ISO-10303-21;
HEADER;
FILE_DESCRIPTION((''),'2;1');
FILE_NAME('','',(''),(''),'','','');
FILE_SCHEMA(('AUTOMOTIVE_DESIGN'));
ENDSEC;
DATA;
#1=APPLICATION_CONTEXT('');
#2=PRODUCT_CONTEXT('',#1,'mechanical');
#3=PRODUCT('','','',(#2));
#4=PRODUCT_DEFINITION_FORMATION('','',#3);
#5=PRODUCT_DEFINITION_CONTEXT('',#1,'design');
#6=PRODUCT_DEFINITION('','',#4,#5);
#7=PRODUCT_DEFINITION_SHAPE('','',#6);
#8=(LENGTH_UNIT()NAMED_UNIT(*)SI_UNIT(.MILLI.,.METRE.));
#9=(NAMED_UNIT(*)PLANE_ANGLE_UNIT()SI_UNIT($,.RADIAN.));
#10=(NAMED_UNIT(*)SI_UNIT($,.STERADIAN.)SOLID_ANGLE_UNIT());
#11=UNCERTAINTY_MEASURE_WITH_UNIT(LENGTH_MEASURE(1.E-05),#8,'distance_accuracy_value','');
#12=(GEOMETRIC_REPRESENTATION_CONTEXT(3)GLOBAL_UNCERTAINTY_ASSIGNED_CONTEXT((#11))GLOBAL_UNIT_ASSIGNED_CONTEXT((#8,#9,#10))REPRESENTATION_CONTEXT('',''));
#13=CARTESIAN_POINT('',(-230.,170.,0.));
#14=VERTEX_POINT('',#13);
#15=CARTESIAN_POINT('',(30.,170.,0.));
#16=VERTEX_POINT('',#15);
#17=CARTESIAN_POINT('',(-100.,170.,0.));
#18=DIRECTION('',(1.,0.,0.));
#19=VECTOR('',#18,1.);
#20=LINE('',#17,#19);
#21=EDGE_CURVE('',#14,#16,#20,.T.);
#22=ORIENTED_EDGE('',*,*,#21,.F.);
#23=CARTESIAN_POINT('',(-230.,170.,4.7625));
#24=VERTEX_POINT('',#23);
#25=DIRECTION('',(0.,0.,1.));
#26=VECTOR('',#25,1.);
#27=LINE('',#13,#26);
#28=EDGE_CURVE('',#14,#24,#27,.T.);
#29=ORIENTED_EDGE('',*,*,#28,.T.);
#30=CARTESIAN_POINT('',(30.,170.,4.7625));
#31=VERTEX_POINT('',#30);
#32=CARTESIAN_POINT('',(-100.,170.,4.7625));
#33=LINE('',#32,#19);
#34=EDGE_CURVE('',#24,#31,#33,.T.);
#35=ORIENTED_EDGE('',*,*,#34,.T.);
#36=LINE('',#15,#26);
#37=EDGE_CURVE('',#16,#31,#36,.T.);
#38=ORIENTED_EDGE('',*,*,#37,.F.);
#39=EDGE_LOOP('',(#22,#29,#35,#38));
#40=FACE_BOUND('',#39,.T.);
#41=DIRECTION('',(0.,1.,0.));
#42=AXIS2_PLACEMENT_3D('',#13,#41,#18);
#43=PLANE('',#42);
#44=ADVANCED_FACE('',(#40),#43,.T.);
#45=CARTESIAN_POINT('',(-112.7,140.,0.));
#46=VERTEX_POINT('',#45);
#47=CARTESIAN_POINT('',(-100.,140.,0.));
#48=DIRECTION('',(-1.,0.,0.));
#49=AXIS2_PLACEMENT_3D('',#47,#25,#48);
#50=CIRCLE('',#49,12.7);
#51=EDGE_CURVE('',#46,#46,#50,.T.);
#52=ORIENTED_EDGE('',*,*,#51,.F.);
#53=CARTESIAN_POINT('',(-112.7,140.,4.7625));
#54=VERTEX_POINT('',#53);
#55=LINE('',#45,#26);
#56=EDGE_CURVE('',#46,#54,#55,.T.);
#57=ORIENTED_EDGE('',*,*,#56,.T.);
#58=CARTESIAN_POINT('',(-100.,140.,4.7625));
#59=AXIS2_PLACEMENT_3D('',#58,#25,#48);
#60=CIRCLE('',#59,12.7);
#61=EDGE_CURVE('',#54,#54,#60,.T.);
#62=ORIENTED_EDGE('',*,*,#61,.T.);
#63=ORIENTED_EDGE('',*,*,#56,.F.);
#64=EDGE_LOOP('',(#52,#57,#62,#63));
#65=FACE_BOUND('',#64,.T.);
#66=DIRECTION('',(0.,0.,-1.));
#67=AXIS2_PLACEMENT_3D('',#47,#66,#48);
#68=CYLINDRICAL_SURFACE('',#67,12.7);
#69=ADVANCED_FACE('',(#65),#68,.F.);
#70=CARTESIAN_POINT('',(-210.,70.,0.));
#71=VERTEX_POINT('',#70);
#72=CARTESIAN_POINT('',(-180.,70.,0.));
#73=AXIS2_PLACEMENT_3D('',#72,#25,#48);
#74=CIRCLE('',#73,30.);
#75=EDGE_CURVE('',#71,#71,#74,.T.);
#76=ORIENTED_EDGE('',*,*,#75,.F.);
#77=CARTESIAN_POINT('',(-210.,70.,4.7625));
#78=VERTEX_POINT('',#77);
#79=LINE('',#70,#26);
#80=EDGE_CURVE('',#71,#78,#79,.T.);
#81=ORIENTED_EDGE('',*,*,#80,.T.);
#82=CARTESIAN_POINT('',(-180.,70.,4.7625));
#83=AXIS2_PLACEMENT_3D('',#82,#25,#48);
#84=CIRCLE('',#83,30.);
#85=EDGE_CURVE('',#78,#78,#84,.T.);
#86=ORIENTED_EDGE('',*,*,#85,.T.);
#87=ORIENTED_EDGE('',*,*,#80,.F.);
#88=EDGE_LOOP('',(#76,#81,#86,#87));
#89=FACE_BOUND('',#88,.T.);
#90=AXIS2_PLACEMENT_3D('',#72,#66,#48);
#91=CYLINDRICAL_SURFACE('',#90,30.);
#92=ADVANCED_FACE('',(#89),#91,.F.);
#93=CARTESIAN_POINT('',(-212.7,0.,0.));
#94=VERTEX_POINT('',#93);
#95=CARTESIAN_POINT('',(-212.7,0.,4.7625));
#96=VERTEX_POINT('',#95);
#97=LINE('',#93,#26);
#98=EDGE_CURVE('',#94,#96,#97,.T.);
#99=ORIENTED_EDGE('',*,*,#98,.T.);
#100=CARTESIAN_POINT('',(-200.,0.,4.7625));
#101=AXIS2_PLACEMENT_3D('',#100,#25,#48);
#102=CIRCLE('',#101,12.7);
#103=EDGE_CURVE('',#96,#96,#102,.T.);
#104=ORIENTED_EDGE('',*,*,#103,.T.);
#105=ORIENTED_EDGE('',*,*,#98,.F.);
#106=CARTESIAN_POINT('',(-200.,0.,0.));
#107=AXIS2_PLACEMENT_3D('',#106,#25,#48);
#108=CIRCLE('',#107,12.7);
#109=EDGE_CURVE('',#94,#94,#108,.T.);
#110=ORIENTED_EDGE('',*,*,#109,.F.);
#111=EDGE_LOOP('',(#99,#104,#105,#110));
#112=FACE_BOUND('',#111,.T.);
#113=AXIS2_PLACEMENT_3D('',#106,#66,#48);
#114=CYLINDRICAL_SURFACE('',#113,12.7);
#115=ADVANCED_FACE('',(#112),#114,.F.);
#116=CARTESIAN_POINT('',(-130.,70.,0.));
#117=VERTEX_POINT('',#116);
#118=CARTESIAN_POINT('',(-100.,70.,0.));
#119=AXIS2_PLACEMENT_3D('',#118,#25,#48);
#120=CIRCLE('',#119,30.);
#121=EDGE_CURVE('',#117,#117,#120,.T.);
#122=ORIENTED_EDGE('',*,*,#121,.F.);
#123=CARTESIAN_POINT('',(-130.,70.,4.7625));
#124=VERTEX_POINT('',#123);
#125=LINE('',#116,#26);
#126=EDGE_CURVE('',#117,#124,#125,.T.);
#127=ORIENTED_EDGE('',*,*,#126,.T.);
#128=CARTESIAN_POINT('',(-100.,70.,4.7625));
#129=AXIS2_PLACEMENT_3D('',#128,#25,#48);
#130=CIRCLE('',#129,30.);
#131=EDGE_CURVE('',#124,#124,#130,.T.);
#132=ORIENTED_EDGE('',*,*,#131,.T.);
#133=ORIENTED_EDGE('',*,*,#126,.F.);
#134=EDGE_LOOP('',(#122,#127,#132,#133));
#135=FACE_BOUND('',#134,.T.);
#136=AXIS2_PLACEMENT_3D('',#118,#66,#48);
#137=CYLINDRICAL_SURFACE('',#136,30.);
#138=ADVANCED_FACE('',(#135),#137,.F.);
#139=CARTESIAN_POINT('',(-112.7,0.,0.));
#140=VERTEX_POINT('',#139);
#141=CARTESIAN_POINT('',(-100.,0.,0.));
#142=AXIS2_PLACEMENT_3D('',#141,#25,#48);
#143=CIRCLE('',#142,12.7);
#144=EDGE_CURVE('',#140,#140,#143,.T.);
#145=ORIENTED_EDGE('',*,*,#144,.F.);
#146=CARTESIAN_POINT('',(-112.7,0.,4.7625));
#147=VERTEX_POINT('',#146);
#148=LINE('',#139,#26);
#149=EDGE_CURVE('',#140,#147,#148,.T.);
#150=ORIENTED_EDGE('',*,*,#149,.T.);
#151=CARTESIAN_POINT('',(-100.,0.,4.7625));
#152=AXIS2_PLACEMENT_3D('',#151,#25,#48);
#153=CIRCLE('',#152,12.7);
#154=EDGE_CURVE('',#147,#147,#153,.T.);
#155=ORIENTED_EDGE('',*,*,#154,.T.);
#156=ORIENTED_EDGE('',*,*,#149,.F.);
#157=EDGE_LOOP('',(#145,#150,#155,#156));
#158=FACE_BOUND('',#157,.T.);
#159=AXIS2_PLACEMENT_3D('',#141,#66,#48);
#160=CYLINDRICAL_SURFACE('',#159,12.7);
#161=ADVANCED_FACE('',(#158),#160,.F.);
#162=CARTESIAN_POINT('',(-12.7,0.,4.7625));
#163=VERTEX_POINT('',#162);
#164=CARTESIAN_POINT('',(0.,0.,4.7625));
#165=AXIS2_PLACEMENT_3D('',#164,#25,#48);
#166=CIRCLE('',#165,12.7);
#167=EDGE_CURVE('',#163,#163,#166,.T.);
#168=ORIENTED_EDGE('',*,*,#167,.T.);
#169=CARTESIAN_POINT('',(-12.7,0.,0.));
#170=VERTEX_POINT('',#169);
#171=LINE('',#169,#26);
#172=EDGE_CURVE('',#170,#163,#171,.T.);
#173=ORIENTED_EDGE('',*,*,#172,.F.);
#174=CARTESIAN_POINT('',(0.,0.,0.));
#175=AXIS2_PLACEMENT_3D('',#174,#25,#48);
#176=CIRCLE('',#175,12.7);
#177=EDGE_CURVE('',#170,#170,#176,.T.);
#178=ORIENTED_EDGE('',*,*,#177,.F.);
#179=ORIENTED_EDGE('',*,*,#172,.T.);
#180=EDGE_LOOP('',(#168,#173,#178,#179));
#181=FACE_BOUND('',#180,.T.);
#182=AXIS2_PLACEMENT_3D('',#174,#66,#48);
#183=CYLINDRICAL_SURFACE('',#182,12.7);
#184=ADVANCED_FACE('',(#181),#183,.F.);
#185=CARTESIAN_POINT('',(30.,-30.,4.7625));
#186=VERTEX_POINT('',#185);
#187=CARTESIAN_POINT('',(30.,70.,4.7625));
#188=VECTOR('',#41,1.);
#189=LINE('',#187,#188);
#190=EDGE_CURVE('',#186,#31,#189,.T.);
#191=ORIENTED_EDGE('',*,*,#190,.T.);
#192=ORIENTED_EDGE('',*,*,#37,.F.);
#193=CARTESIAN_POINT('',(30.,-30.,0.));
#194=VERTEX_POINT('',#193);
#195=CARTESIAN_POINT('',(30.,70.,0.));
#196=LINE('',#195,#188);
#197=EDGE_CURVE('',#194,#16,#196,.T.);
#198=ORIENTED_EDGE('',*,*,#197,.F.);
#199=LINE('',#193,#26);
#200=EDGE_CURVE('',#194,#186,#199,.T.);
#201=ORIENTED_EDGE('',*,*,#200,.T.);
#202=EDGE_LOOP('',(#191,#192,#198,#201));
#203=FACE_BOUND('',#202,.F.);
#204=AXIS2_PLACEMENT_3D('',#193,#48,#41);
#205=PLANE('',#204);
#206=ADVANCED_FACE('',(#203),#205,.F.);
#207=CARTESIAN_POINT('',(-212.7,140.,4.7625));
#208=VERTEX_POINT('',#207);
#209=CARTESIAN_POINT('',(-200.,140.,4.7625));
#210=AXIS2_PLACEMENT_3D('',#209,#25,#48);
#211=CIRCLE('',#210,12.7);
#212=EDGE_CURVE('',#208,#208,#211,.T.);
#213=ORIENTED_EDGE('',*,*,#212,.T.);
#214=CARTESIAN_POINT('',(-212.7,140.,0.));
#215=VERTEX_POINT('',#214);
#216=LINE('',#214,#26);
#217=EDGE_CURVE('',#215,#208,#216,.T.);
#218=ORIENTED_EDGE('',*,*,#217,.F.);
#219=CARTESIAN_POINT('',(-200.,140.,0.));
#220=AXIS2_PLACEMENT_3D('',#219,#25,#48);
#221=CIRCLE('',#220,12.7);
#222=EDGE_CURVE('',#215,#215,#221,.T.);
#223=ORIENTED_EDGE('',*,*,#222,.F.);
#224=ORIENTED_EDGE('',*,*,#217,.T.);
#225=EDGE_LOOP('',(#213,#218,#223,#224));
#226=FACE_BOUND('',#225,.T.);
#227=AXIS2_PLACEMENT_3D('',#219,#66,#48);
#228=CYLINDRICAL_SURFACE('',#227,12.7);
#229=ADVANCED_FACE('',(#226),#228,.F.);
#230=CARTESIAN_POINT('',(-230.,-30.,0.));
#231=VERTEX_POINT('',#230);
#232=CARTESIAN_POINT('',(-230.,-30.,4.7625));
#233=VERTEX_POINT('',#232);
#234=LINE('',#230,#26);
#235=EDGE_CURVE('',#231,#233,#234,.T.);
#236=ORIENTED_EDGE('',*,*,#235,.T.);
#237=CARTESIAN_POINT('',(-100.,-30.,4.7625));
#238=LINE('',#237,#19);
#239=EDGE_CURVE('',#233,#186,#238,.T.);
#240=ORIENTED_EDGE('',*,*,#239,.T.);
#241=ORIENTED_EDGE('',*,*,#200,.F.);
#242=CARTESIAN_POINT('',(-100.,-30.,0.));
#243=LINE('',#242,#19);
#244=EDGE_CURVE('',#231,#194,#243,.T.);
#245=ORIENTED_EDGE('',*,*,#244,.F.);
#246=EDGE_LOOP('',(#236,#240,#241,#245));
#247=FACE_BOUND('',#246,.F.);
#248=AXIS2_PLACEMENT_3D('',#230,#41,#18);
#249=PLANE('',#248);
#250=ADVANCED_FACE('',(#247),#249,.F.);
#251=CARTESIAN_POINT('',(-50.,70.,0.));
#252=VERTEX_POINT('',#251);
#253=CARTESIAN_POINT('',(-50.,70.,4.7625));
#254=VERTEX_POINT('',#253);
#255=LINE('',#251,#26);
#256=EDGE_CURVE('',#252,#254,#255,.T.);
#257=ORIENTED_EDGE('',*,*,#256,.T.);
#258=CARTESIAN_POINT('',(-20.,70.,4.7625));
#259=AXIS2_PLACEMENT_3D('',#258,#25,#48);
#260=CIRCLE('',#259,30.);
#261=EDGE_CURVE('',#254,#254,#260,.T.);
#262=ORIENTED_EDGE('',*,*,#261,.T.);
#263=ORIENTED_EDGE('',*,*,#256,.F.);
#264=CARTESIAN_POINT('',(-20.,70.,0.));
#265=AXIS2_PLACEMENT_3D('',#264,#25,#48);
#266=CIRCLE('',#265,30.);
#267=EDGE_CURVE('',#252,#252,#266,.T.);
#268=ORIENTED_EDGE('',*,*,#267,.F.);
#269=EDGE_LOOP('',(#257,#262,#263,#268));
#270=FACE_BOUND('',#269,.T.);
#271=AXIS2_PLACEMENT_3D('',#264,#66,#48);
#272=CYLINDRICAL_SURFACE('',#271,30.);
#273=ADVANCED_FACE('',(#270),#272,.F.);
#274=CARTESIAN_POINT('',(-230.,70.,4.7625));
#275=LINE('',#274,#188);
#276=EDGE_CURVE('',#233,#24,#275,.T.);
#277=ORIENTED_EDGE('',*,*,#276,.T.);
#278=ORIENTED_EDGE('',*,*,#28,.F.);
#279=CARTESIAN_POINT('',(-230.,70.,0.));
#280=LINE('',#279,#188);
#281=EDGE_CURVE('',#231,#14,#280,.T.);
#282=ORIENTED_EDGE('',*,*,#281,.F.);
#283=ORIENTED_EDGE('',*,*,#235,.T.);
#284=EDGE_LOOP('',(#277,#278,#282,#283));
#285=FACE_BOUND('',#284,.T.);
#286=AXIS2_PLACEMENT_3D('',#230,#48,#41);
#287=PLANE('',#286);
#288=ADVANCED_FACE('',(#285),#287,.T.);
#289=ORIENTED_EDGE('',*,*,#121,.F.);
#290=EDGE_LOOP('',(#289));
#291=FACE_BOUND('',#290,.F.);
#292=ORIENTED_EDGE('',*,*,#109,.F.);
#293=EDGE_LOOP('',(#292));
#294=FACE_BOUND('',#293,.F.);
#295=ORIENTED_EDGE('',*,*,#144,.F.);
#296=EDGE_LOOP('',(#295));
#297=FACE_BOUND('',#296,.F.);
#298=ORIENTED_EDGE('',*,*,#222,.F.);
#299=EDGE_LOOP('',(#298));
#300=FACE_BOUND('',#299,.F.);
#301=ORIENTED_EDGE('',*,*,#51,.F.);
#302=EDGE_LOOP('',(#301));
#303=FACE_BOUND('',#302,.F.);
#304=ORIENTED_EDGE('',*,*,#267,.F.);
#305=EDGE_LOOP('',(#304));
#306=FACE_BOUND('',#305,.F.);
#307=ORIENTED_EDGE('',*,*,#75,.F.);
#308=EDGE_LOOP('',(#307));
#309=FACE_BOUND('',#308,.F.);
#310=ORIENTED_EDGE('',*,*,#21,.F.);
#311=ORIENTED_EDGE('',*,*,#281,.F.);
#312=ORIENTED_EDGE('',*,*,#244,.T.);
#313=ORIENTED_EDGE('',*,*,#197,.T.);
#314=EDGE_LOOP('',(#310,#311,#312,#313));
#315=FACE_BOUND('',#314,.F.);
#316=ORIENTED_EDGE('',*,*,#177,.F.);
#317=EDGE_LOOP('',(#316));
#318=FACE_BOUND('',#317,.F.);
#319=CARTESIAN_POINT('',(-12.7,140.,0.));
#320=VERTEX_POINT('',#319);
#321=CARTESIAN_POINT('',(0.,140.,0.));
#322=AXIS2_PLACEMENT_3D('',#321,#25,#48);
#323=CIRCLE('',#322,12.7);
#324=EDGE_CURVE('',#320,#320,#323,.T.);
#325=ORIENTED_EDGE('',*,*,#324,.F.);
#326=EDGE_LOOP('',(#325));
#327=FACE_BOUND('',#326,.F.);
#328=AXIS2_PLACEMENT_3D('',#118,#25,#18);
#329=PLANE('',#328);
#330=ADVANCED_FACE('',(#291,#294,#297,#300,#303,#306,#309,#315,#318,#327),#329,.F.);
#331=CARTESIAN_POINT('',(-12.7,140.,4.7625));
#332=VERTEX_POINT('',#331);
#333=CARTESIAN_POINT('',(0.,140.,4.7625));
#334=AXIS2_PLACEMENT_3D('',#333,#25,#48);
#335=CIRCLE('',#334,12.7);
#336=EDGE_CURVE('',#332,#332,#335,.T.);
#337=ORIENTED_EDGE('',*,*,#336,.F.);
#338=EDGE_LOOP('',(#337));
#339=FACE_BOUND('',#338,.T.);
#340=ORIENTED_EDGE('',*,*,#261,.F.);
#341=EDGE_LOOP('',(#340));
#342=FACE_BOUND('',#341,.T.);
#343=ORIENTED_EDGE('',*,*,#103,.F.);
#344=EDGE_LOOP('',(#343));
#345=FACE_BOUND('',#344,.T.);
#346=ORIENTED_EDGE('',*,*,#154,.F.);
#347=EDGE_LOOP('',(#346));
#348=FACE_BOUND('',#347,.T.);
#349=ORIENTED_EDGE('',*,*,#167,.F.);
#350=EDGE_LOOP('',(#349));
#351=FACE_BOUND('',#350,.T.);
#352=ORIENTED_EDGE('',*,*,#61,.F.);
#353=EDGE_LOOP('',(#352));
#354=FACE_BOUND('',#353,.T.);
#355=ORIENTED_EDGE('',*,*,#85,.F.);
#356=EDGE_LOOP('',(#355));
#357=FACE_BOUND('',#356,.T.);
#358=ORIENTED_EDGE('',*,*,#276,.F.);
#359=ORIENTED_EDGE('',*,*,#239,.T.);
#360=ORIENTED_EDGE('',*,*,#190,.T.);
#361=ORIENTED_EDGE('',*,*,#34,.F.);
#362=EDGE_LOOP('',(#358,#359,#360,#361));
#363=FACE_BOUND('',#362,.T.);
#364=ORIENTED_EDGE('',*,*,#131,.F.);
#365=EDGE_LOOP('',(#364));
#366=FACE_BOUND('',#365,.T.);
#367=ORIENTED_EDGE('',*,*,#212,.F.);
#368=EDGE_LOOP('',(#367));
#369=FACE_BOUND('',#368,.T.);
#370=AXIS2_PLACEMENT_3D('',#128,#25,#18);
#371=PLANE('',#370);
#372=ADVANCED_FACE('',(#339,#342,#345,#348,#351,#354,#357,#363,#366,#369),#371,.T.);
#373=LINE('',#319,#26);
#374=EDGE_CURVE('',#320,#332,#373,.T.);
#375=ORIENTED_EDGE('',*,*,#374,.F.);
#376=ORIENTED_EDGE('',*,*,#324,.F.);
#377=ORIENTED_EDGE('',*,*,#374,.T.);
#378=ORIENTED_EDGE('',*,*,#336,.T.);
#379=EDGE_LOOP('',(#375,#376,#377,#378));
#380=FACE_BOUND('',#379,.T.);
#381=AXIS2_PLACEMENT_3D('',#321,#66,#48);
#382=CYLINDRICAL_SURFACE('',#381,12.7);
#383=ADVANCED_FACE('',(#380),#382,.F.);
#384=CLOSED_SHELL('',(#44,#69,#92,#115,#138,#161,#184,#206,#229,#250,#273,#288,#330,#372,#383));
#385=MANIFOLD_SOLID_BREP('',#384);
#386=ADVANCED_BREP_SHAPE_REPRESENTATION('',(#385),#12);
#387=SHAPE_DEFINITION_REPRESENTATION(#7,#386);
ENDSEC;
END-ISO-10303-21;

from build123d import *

# Parameters (mm, degrees)
ESBO_O1_W                = 260
ESBO_O1_H                = 200
ESBO_O1_R                = 12.7
ESBO_O1_R_2              = 30
RESSALTO_EXTRUS_O1_DEPTH = 4.7625


with BuildPart() as part:
    # Esboço1 → Ressalto-extrusão1 (new body)
    with BuildSketch(Plane.XY):
        with Locations((-100, 70)):
            Rectangle(ESBO_O1_W, ESBO_O1_H)
        with Locations(Location((0, 0, 0), (0, 0, 180))):
            Circle(ESBO_O1_R, mode=Mode.SUBTRACT)
        with Locations(Location((-100, 0, 0), (0, 0, 180))):
            Circle(ESBO_O1_R, mode=Mode.SUBTRACT)
        with Locations(Location((-200, 0, 0), (0, 0, 180))):
            Circle(ESBO_O1_R, mode=Mode.SUBTRACT)
        with Locations(Location((-200, 140, 0), (0, 0, 180))):
            Circle(ESBO_O1_R, mode=Mode.SUBTRACT)
        with Locations(Location((-100, 140, 0), (0, 0, 180))):
            Circle(ESBO_O1_R, mode=Mode.SUBTRACT)
        with Locations(Location((0, 140, 0), (0, 0, 180))):
            Circle(ESBO_O1_R, mode=Mode.SUBTRACT)
        with Locations(Location((-100, 70, 0), (0, 0, 180))):
            Circle(ESBO_O1_R_2, mode=Mode.SUBTRACT)
        with Locations(Location((-20, 70, 0), (0, 0, 180))):
            Circle(ESBO_O1_R_2, mode=Mode.SUBTRACT)
        with Locations(Location((-180, 70, 0), (0, 0, 180))):
            Circle(ESBO_O1_R_2, mode=Mode.SUBTRACT)
    extrude(amount=RESSALTO_EXTRUS_O1_DEPTH)


solid = part.part
